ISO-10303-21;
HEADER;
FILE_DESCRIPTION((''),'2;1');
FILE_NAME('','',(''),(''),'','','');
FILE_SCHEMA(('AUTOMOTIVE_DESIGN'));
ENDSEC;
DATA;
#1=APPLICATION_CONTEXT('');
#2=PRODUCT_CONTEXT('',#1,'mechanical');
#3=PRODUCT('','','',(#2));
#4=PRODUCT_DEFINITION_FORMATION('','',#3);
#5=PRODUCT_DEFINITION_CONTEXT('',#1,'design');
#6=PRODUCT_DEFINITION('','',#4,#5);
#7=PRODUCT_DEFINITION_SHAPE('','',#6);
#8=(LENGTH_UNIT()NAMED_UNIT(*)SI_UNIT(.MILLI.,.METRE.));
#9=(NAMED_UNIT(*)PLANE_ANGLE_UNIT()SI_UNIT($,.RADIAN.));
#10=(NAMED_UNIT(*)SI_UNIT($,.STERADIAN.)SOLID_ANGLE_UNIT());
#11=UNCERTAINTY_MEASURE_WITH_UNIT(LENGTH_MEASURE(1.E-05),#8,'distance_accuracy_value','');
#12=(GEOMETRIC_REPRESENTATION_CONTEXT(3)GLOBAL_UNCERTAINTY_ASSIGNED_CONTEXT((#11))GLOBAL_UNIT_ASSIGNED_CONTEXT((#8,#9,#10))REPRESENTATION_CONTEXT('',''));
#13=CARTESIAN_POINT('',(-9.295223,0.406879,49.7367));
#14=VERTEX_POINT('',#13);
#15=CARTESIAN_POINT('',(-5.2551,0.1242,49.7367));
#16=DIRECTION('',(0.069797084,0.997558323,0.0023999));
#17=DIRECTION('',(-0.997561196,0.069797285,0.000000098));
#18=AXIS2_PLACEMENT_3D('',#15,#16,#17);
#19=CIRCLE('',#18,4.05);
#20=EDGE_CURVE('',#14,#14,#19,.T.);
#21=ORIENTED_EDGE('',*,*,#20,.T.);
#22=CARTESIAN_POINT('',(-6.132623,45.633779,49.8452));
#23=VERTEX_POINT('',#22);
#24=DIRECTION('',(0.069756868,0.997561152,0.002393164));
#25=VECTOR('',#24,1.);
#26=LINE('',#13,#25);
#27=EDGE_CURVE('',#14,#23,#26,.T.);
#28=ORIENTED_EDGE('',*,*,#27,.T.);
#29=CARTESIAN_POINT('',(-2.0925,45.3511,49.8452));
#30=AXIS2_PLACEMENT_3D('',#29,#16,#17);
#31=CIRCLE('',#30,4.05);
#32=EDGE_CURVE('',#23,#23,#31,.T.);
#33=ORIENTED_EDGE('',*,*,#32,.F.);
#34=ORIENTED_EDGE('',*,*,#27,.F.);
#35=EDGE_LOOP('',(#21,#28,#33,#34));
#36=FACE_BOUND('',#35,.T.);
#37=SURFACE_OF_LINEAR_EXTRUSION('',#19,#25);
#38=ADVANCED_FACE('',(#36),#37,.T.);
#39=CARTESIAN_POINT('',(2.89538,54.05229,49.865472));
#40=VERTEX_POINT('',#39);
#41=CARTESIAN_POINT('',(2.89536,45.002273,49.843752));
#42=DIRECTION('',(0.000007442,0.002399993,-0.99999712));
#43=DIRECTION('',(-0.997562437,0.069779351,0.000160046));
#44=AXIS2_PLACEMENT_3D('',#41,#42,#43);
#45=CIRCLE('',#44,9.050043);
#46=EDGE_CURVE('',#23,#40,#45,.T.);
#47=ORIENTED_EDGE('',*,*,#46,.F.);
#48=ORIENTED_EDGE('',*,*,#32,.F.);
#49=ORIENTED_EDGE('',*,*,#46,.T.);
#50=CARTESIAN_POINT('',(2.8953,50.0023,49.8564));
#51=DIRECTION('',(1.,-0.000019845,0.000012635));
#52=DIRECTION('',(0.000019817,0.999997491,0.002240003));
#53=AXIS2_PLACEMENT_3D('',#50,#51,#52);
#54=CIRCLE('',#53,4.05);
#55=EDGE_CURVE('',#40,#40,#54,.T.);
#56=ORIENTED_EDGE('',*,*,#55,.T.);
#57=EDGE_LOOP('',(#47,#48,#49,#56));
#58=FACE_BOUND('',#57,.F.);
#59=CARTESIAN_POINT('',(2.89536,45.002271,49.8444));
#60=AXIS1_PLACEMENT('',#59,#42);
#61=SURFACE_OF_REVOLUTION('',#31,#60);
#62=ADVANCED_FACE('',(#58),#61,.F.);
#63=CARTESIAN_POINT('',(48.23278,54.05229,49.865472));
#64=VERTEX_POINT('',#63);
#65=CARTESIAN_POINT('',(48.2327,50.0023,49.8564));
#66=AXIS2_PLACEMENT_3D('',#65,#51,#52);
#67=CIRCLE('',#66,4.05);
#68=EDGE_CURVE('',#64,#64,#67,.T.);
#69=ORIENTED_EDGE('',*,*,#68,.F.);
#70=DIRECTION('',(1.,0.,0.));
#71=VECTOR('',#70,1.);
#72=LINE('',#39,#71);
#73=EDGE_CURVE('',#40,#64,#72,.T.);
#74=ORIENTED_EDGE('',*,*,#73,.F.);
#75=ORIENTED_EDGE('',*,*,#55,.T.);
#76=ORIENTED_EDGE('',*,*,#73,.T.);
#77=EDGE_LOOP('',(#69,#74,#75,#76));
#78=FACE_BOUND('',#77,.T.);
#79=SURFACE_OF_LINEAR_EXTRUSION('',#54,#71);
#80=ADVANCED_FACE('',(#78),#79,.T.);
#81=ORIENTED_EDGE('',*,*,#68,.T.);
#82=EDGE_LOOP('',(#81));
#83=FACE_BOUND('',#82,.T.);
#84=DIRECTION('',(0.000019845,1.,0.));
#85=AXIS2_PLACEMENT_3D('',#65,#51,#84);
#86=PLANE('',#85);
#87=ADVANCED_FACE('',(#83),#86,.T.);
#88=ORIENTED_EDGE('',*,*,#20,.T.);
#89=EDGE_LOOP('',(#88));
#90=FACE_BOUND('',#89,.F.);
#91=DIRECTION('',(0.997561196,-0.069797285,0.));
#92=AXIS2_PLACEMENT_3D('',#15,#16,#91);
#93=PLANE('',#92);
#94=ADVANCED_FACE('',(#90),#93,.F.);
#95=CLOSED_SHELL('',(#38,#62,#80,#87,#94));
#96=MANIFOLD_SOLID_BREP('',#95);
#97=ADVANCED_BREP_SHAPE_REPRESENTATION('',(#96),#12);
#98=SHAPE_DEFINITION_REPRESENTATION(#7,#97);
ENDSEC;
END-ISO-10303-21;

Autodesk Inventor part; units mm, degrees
ref_plane "YZ Plane" through (0, 0, 0) normal (1, 0, 0) x (0, 1, 0)
ref_plane "XZ Plane" through (0, 0, 0) normal (0, 1, 0) x (-1, 0, 0)
ref_plane "Work Plane1" through (-5.2551, 0.1242, 49.7367) normal (0.0698, 0.9976, 0.0024) x (-0.9976, 0.0698, 0)
sketch "Sketch1" plane through (-5.2551, 0.1242, 49.7367) normal (0.0698, 0.9976, 0.0024) x (-0.9976, 0.0698, 0)
  circle A0 centre (0, 0) radius 4.05
  point P0 (-5.251, -49.7371)
  dimension "d4" = 8.1
sketch3d "3D Sketch1"
  line L0 (-5.2551, 0.1242, 49.7367) -> (-2.0925, 45.3511, 49.8452)
  arc A0 (-2.0925, 45.3511, 49.8452) -> (2.8953, 50.0023, 49.8564) centre (2.8953, 45.0023, 49.8444) ccw
  line L1 (2.8953, 50.0023, 49.8564) -> (48.2327, 50.0023, 49.8564)
  dimension "d0" = 50
  dimension "d1" = 50
  dimension "d2" = 5
  dimension "d3" = 94
sweep "Sweep1" add profiles "Sketch1" path "3D Sketch1"
properties part number "new part 3 6767"
